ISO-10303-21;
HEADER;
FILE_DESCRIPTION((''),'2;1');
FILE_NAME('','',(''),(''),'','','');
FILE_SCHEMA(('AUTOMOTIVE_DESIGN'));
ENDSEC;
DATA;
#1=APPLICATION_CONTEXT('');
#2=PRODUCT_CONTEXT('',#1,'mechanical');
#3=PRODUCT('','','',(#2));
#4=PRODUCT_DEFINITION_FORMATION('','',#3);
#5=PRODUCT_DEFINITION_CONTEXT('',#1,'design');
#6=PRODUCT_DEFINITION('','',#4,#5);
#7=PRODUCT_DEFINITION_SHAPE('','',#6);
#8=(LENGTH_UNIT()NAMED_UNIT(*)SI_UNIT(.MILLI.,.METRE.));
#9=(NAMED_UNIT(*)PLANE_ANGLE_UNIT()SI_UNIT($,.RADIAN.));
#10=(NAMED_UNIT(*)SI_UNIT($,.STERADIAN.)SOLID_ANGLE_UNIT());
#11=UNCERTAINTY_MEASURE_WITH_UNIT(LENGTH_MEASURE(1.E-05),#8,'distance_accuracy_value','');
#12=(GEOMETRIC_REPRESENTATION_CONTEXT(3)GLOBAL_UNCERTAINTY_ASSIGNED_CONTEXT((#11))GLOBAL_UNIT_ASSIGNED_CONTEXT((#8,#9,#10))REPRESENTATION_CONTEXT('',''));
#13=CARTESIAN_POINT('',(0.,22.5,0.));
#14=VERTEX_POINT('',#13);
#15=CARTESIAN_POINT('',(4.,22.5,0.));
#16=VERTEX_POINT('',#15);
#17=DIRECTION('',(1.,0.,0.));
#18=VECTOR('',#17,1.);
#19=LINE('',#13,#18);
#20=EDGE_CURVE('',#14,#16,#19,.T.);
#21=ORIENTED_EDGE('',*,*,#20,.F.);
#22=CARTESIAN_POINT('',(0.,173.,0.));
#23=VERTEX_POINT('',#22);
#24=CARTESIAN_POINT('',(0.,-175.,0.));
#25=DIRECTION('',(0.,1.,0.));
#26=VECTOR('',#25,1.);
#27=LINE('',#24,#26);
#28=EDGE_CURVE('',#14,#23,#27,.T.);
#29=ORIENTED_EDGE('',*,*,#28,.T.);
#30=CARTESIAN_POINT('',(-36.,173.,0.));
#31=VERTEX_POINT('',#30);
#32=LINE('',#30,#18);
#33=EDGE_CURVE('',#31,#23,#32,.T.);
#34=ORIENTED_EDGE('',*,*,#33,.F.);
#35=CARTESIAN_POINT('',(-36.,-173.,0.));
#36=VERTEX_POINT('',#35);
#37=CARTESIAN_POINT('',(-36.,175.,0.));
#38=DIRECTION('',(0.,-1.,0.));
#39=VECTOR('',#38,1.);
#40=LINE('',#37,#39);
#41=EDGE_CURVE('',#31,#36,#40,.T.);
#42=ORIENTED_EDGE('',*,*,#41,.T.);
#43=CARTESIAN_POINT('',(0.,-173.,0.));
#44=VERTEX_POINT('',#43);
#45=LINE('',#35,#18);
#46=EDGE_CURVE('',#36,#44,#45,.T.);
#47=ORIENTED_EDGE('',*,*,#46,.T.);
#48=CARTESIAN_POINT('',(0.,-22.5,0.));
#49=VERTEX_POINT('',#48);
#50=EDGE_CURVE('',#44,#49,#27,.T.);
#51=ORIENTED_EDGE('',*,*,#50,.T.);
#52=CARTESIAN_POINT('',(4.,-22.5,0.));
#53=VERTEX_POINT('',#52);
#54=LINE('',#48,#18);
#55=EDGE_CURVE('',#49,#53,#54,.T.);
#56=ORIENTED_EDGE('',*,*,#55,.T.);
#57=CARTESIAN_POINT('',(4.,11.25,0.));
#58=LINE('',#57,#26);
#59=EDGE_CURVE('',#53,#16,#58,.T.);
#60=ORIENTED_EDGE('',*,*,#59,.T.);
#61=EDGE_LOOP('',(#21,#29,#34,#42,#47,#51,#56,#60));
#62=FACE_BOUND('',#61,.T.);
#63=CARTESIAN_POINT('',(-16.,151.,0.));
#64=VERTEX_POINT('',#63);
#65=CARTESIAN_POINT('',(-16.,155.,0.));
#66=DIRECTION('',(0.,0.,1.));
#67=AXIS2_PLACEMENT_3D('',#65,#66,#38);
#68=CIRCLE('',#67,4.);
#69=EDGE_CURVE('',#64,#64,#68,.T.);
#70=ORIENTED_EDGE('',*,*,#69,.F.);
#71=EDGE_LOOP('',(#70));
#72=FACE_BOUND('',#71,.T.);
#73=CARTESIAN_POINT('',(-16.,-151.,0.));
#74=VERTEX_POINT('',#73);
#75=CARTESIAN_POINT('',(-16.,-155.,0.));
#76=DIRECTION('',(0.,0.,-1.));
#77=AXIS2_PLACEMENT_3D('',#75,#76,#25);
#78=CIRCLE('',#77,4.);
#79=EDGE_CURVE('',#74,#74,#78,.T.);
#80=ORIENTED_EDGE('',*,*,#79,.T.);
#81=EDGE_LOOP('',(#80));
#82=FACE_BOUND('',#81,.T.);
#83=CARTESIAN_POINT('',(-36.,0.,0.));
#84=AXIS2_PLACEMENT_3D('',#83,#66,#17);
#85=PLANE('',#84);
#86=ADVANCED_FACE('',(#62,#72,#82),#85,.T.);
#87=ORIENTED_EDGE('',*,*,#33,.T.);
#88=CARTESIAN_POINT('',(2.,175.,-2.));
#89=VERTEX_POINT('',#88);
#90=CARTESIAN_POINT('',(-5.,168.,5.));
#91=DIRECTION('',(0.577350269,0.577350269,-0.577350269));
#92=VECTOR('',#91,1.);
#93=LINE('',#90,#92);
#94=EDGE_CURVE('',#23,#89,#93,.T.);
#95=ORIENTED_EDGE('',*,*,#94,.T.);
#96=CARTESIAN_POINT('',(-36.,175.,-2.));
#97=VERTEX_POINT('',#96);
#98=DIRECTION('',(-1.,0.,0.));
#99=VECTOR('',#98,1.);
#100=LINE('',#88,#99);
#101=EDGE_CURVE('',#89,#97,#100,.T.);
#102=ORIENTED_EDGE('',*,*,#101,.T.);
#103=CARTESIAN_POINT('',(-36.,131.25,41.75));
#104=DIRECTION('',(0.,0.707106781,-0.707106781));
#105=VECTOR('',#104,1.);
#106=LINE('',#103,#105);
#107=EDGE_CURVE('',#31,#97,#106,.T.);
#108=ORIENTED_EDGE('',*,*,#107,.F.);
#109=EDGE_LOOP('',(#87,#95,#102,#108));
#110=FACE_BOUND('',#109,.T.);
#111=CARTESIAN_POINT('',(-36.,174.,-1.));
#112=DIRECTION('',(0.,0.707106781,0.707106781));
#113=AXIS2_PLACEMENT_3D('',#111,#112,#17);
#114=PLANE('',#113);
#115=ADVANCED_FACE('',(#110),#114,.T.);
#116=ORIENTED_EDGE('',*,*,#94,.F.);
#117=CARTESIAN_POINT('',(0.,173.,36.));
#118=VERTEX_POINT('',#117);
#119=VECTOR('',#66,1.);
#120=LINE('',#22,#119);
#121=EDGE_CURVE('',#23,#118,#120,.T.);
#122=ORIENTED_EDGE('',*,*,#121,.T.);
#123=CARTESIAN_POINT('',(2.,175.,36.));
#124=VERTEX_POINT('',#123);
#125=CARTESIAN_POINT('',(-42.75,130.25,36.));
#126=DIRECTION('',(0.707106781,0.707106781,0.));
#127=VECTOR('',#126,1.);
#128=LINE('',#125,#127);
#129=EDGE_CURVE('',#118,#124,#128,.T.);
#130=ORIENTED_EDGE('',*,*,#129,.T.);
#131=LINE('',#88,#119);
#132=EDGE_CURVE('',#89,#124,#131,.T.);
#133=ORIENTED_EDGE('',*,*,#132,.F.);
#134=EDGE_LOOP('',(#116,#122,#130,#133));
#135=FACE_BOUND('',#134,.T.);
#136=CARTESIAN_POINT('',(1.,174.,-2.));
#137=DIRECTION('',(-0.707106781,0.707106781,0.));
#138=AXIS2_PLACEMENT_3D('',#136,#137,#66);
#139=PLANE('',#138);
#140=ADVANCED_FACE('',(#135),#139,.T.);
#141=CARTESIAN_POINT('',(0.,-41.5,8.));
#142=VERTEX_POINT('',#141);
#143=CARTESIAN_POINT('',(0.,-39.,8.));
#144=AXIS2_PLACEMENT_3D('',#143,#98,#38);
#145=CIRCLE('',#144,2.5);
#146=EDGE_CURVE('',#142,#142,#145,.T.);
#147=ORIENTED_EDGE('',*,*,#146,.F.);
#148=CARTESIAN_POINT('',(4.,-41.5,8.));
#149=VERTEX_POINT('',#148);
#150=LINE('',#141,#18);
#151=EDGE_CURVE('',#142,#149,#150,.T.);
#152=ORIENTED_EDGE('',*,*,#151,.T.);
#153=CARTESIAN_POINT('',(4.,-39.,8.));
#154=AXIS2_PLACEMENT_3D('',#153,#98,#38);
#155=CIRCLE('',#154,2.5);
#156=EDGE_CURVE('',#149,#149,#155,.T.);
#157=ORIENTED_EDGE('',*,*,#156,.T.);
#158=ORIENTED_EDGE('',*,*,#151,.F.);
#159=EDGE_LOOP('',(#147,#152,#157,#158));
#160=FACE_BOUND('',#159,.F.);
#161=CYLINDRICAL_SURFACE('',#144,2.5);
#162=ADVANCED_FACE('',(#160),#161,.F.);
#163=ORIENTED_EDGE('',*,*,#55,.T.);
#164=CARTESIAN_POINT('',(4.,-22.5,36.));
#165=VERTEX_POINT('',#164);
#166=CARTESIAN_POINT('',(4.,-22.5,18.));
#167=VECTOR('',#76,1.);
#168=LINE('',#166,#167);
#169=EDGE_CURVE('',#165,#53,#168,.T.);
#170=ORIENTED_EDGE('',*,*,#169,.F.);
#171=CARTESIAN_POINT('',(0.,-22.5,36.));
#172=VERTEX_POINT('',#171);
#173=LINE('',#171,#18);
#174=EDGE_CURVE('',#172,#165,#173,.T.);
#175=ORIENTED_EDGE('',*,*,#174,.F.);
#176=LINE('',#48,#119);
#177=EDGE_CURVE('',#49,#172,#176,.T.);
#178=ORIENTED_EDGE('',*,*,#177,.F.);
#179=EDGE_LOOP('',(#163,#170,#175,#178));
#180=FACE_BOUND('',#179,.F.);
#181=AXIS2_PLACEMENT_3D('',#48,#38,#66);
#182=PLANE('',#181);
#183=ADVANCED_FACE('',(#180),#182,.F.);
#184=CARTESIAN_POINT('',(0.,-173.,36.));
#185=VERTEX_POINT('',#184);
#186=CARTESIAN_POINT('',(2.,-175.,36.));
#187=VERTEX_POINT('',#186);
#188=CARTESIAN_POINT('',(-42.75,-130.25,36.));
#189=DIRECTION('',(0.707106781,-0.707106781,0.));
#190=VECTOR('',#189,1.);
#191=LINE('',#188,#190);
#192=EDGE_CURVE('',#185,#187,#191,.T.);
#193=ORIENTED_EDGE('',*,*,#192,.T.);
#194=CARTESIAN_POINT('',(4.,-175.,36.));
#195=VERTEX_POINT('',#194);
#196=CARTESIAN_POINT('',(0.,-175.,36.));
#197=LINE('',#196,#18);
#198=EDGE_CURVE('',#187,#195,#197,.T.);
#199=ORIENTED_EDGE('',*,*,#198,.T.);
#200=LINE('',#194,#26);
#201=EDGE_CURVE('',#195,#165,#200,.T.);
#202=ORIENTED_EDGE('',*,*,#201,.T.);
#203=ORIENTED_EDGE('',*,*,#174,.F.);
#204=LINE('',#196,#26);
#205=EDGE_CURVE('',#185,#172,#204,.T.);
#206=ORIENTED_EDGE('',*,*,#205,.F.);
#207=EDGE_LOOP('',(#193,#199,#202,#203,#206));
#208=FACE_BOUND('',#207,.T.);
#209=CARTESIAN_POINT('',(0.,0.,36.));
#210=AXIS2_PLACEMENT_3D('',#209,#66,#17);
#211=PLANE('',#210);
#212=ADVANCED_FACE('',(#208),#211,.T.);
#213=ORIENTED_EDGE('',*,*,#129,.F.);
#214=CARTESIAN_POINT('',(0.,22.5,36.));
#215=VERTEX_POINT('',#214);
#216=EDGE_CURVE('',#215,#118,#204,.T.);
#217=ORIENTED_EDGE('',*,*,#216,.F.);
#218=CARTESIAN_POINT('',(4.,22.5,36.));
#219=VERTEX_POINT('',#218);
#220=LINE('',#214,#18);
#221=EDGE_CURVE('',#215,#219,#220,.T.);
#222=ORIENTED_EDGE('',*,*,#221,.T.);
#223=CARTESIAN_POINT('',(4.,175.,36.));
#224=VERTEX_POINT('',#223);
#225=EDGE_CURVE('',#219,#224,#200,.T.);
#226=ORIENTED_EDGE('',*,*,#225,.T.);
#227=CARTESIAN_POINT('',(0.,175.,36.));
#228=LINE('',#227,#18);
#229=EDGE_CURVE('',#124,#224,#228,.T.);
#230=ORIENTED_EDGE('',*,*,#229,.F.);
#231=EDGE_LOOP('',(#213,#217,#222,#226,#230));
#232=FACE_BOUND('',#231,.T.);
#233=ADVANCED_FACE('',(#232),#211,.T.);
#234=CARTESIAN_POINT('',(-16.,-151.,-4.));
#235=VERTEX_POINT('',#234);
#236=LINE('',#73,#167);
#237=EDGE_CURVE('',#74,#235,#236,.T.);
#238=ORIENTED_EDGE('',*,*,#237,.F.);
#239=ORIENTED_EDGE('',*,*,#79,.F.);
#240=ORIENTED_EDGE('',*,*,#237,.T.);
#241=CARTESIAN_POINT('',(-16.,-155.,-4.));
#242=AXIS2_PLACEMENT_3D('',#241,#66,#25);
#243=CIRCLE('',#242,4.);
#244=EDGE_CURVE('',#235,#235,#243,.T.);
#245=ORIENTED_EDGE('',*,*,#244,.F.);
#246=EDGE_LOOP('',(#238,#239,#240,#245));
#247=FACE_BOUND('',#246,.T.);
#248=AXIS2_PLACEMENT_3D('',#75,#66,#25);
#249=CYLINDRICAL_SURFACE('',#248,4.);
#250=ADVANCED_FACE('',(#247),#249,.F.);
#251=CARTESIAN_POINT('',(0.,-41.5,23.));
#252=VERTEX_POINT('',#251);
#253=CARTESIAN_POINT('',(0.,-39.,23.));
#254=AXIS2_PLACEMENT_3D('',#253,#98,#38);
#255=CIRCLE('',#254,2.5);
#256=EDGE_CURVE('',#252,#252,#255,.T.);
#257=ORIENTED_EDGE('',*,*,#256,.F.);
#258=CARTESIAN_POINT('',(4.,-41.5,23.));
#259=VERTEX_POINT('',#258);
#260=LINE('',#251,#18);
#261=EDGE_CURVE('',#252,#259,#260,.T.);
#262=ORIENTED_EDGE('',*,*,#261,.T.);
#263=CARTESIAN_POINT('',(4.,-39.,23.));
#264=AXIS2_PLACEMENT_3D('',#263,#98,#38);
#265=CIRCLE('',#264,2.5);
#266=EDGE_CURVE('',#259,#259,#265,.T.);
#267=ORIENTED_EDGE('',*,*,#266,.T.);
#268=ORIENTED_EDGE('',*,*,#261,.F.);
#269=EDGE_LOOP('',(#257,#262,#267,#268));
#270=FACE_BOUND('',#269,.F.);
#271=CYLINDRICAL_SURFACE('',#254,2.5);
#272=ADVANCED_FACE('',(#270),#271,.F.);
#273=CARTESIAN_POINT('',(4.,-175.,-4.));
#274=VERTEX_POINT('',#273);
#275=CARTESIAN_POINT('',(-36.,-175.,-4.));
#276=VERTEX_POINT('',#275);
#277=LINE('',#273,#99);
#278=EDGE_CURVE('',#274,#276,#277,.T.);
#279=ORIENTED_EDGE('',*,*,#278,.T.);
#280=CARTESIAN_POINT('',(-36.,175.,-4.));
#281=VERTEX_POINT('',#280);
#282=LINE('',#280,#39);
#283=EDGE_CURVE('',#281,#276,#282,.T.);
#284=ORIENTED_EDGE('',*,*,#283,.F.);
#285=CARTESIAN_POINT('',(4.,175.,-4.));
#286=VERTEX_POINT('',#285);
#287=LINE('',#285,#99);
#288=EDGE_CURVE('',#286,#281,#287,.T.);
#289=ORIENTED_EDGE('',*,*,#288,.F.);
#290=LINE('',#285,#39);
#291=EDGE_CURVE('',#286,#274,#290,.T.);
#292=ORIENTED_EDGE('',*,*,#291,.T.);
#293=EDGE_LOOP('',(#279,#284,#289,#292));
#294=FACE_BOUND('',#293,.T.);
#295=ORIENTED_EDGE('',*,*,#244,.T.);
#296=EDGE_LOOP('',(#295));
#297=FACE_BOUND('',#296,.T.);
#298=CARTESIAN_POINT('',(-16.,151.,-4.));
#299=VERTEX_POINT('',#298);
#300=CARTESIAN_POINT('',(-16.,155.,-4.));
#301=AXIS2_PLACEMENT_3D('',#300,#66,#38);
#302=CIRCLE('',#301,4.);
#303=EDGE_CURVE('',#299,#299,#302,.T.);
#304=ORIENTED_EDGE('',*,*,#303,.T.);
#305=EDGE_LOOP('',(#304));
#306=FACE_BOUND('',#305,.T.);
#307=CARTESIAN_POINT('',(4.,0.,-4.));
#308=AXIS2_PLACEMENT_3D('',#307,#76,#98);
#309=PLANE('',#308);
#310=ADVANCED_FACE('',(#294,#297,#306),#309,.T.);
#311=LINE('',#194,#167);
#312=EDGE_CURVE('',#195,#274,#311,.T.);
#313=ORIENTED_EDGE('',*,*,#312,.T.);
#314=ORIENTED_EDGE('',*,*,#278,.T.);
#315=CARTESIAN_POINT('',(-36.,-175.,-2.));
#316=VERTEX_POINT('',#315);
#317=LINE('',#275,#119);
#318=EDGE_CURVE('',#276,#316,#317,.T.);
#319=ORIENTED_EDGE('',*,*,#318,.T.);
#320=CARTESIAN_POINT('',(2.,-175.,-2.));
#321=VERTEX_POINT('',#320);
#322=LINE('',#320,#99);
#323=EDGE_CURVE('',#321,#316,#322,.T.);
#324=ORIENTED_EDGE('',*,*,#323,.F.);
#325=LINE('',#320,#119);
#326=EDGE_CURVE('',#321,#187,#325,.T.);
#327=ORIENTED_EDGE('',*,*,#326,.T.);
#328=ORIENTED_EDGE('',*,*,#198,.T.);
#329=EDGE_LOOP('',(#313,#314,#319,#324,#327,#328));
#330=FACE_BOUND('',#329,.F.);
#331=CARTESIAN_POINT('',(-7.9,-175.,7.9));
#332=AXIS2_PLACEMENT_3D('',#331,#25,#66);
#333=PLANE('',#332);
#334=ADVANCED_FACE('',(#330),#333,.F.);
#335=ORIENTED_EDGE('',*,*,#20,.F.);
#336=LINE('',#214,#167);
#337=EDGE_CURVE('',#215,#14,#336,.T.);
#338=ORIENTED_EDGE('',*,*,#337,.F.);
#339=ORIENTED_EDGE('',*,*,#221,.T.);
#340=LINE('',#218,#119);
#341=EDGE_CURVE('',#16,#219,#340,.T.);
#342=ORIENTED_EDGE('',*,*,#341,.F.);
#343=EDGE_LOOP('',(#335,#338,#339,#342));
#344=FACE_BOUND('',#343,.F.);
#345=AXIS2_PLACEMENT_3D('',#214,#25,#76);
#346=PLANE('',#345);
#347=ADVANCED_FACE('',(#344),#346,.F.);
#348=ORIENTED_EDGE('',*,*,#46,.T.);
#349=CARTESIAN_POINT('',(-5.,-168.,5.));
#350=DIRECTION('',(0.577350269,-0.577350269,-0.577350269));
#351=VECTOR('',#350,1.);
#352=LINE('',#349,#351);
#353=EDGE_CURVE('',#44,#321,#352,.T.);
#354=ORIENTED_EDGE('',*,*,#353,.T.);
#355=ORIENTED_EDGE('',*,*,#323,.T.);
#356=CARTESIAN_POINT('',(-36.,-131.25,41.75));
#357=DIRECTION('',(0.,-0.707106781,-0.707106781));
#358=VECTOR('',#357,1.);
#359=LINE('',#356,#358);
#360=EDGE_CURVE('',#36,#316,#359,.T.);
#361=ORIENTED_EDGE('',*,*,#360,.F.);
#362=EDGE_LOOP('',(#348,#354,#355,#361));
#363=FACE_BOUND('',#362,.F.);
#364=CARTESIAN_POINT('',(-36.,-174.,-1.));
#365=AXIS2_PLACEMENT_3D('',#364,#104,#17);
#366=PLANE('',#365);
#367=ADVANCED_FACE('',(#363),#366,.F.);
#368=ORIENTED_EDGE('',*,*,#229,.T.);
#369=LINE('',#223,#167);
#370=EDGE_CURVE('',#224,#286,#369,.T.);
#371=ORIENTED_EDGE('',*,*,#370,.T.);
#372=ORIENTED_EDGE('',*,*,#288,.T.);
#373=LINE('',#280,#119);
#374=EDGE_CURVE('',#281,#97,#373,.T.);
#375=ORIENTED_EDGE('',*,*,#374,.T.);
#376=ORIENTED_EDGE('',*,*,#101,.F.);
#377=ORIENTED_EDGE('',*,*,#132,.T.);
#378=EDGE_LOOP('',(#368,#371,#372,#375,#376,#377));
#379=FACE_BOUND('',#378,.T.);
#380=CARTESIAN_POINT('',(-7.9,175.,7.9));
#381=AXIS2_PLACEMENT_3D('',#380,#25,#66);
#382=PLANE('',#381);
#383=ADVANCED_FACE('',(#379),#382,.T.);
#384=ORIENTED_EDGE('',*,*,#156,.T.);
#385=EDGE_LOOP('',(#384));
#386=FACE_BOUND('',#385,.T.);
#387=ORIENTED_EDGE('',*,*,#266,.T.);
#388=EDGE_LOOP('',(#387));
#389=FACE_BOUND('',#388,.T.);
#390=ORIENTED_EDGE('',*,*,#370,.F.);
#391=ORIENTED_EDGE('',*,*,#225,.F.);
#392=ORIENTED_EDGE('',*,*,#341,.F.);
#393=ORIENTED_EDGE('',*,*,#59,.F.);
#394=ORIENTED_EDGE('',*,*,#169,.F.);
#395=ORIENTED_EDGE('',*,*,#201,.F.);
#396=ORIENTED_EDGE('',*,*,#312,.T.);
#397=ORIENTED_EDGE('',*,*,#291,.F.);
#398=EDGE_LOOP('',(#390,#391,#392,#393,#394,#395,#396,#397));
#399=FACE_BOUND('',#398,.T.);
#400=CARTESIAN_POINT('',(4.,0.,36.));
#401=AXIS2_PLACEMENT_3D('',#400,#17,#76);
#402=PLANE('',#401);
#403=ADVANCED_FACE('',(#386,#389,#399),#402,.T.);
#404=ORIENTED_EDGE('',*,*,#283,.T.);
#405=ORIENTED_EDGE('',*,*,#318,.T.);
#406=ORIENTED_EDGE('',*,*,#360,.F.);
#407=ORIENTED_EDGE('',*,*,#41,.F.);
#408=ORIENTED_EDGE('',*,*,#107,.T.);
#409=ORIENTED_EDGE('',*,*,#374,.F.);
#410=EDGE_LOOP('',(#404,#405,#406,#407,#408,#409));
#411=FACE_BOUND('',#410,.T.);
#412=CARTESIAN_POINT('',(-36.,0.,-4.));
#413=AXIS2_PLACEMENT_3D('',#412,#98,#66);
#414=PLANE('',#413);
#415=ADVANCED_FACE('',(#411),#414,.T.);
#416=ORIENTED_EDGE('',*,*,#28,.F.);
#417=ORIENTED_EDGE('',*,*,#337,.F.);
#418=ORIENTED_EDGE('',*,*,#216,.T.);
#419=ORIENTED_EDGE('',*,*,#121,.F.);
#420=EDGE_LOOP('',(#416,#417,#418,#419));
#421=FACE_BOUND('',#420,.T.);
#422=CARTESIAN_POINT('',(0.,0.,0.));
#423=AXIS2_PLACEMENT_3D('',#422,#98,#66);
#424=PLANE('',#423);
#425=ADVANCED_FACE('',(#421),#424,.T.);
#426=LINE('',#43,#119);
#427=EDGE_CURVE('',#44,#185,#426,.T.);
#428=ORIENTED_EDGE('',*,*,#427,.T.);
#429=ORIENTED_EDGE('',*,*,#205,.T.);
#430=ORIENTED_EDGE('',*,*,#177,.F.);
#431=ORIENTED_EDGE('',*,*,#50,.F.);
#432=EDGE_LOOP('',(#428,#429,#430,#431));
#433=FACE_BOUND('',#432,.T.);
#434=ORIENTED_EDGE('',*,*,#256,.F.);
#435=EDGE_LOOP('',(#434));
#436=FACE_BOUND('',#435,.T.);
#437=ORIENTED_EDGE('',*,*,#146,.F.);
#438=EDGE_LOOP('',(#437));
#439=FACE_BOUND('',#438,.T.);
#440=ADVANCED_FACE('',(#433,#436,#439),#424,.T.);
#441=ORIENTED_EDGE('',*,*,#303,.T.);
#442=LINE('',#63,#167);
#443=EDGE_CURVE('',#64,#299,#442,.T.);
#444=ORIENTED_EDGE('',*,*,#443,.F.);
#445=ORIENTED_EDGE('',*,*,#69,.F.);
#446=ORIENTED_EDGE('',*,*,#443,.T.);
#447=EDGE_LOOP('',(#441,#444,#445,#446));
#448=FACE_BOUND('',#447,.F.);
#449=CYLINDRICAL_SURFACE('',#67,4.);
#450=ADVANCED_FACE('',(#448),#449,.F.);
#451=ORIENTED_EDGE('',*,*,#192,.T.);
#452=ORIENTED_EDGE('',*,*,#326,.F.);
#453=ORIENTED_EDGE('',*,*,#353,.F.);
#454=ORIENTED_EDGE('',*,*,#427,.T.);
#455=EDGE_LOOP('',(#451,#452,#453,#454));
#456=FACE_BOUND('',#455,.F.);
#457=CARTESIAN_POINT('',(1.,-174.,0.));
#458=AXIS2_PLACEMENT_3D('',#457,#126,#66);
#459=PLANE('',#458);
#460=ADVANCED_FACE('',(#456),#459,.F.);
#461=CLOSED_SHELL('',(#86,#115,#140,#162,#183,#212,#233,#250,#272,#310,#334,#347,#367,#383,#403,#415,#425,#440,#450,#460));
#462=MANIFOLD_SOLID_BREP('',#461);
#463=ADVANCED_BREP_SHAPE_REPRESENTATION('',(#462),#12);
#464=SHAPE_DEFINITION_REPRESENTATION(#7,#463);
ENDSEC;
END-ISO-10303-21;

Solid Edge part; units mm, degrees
sketch "Sketch1" plane through (0, 0, 0) normal (0, -1, 0) x (1, 0, 0)
  line L0 (-36, 0) -> (0, 0)
  line L1 (0, 0) -> (0, 36)
  line L2 (0, 36) -> (4, 36)
  line L3 (4, 36) -> (4, -4)
  line L4 (4, -4) -> (-36, -4)
  line L5 (-36, -4) -> (-36, 0)
  dimension "D1" = 36
  dimension "D2" = 4
extrude "Protrusion1" add sketch "Sketch1" along normal mid plane 350
sketch "Sketch2" plane through (-18, 0, 0) normal (0, 0, 1) x (0, -1, 0)
  circle A0 centre (-155, 2) radius 4
  dimension "D1" = 20
  dimension "D2" = 20
  dimension "D3" = 8
extrude "Cutout1" cut sketch "Sketch2" against normal through all
mirror "Mirror1" about plane through (0, 0, 0) normal (0, -1, 0) of "Cutout1"
sketch "Sketch3" plane through (0, 0, 18) normal (-1, 0, 0) x (0, -1, 0)
  line L0 (-22.5, -18) -> (22.5, -18)
  line L1 (22.5, -18) -> (22.5, 18)
  line L2 (22.5, 18) -> (-22.5, 18)
  line L3 (-22.5, 18) -> (-22.5, -18)
  dimension "D1" = 45
extrude "Cutout2" cut sketch "Sketch3" against normal through all
chamfer "Chamfer1" distance 2 angle 45 2 edges at (-18, -175, 0) (-18, 175, 0)
chamfer "Fase_2" distance 2 angle 45 2 edges at (0, -175, 17) (0, 175, 17)
sketch "Sketch4" plane through (0, -97.75, 18) normal (-1, 0, 0) x (0, -1, 0)
  circle A0 centre (-58.75, 5) radius 2.5
  circle A1 centre (-58.75, -10) radius 2.5
  dimension "D1" = 15
  dimension "D2" = 5
  dimension "D3" = 16.5
  dimension "D4" = 8
extrude "Cutout3" cut sketch "Sketch4" against normal through all
properties material "Aluminium, 7075-T6"
